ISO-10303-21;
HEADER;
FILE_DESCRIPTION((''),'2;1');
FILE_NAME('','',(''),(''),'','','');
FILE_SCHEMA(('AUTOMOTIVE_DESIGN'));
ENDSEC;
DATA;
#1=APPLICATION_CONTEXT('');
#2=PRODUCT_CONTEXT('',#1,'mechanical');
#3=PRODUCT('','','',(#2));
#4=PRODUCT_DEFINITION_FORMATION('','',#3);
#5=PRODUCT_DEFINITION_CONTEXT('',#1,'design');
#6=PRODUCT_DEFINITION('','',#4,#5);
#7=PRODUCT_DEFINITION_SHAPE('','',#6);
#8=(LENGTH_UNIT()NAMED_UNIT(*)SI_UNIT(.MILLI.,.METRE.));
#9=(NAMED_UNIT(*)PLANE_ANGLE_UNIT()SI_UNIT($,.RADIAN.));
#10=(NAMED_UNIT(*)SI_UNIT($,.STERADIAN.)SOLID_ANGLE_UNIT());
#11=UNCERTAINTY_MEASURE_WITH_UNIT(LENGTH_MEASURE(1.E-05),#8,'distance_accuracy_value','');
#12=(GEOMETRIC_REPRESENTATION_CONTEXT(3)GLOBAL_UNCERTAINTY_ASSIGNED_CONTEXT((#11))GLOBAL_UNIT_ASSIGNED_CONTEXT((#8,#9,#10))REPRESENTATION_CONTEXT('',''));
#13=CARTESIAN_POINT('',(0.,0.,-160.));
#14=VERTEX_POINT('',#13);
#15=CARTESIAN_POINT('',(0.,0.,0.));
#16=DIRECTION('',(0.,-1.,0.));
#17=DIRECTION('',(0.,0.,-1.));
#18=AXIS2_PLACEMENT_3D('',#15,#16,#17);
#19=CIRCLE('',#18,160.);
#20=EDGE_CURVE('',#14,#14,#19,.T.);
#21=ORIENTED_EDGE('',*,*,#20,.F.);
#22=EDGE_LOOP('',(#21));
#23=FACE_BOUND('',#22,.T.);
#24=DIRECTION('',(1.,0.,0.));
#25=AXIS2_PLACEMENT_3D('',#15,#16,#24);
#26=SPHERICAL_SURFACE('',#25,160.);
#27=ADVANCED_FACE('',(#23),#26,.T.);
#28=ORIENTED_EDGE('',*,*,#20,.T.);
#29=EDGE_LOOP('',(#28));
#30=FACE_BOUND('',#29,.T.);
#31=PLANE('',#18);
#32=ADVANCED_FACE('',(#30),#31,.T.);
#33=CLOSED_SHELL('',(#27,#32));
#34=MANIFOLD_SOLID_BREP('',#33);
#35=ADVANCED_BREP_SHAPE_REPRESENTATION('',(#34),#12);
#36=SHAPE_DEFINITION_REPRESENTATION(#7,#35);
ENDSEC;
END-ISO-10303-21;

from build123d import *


with BuildPart() as part:
    # Sketch1 → Revolve1 (revolve)
    with BuildSketch(Plane.XY):
        with BuildLine():
            Line((0, 160), (0, 0))
            Line((0, 0), (160, 0))
            ThreePointArc((160, 0), (113.13708499, 113.13708499), (0, 160))
        make_face()
    revolve(axis=Axis((0, 0, 0), (0, 1, 0)))


solid = part.part
